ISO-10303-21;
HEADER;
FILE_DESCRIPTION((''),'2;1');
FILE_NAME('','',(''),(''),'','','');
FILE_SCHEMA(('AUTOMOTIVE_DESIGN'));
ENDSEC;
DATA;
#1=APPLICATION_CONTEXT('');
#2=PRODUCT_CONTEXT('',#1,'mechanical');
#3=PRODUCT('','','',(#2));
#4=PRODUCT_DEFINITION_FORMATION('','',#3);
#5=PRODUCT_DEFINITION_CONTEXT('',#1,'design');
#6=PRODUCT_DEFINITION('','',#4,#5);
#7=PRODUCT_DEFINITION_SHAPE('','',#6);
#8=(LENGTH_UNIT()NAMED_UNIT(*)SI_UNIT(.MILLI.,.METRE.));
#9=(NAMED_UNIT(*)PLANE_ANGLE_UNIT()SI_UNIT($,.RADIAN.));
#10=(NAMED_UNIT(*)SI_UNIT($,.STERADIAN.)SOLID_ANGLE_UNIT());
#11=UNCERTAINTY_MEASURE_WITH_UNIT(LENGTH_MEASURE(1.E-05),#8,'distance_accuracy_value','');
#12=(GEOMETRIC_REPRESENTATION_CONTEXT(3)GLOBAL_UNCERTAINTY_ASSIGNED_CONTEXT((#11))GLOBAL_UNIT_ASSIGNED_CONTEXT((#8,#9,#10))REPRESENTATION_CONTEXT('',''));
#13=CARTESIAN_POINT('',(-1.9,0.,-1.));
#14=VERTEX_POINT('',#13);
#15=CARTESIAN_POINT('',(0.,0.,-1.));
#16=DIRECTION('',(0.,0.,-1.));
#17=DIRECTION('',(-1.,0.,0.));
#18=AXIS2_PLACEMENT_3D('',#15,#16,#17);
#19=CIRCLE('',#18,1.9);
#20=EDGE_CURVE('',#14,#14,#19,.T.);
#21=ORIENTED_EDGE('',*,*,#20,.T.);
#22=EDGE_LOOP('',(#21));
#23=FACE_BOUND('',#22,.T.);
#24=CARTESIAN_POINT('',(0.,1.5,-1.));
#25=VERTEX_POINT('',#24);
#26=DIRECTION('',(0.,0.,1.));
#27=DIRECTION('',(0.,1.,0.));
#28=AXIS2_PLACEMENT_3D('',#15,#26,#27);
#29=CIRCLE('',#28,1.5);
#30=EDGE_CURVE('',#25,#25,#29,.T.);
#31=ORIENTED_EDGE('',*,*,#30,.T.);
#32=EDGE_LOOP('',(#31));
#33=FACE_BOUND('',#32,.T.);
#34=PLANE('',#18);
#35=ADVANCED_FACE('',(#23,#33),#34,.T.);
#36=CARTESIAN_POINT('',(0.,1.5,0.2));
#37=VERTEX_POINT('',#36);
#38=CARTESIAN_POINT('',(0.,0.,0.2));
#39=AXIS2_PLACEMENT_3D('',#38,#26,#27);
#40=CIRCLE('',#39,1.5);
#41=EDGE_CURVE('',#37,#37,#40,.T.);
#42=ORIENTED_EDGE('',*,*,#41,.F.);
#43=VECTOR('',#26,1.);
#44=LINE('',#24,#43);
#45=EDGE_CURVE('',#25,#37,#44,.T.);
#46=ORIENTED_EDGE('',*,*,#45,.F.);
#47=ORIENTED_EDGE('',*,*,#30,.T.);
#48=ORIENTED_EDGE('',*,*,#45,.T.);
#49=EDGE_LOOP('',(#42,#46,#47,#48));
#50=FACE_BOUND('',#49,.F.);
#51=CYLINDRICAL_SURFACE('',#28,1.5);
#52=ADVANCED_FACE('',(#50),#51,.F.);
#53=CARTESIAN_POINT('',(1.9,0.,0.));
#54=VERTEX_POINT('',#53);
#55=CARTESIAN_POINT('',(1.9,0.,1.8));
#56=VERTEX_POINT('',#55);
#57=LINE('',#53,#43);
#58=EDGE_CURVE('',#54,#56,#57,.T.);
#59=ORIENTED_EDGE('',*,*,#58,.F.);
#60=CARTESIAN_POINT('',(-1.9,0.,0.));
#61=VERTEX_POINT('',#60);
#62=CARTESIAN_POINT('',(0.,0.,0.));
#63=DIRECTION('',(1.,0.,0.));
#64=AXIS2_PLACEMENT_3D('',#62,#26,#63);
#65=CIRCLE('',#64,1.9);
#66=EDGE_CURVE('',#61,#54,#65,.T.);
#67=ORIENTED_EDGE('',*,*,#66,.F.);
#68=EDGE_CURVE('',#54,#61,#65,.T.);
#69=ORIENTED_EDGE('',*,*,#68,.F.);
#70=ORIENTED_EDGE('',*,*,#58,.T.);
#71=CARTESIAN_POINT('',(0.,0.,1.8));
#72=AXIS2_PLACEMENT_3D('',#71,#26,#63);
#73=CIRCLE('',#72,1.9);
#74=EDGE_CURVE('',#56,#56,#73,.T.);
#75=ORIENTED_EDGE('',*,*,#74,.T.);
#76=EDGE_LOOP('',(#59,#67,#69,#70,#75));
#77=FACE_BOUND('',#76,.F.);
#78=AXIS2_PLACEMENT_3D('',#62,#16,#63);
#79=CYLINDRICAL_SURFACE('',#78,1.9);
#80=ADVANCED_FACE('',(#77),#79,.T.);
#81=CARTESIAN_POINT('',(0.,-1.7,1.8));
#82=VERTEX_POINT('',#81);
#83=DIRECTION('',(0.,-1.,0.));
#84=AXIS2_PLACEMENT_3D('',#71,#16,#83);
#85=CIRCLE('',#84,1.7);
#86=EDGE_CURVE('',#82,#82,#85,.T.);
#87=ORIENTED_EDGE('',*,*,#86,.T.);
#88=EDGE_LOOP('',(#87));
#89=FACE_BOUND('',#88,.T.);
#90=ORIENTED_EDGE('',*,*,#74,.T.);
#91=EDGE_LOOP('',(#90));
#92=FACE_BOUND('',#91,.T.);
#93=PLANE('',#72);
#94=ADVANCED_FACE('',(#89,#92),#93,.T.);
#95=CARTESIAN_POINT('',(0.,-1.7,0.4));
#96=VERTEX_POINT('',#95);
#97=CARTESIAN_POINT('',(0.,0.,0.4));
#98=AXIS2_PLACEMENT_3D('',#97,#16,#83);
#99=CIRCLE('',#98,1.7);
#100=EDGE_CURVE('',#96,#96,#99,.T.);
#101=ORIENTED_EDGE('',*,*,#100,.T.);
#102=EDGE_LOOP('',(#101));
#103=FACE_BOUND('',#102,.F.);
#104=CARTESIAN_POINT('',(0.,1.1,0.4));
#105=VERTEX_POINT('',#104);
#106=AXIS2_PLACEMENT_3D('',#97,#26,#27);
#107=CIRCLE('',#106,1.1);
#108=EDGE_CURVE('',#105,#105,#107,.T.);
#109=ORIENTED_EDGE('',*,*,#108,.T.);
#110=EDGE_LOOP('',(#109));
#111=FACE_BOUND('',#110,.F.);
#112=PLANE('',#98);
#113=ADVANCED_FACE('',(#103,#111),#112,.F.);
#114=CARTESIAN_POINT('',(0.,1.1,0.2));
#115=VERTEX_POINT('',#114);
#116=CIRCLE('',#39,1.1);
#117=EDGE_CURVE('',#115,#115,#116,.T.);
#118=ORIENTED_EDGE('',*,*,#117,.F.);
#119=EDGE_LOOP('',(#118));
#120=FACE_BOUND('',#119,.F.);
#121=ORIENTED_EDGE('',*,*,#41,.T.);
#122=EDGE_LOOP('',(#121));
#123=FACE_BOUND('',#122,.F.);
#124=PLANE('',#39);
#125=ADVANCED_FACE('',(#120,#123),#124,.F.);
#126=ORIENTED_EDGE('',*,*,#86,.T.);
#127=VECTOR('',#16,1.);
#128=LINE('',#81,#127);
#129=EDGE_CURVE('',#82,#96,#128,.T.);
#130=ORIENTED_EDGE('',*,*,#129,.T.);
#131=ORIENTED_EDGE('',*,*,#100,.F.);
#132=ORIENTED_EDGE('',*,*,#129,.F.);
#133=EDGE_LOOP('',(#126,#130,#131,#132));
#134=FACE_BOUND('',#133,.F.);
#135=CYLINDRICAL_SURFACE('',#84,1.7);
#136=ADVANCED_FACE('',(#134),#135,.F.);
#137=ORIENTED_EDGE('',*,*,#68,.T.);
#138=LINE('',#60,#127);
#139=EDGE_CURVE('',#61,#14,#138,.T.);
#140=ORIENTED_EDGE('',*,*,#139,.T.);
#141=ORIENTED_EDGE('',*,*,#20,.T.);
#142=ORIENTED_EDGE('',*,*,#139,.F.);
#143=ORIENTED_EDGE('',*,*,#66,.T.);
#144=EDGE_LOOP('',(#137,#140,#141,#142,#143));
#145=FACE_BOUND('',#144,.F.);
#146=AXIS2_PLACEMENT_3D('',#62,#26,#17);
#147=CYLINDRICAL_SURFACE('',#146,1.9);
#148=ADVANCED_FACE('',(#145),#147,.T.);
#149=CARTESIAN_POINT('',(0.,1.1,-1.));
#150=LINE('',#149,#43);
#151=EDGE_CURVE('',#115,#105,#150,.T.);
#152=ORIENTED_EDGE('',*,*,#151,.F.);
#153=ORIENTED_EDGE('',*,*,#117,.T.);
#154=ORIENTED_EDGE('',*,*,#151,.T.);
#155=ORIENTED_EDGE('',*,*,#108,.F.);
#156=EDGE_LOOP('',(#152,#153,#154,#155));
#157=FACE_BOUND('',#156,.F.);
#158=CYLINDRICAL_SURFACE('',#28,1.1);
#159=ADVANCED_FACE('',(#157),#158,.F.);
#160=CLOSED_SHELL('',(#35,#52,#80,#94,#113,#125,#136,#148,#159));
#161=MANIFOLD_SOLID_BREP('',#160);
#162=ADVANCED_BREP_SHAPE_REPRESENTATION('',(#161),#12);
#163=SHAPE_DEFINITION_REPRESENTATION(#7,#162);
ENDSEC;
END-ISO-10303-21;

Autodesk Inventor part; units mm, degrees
ref_plane "YZ Plane" through (0, 0, 0) normal (1, 0, 0) x (0, 1, 0)
ref_plane "XZ Plane" through (0, 0, 0) normal (0, 1, 0) x (-1, 0, 0)
ref_plane "XY Plane" through (0, 0, 0) normal (0, 0, 1) x (1, 0, 0)
sketch "Sketch1" plane through (0, 0, 0) normal (0, 0, 1) x (1, 0, 0)
  circle A0 centre (0, 0) radius 1.9
  dimension "d0" = 3.8
extrude "Extrusion1" add sketch "Sketch1" along normal blind 1.8
hole "Hole1" at (0, 0, 1.8) direction (0, 0, -1) diameter 3.4 depth 1.4
sketch "Sketch2" plane through (0, 0, 0) normal (0, 0, -1) x (-1, 0, 0)
  circle A0 centre (0, 0) radius 1.9 projected
  circle A1 centre (0, 0) radius 1.9
  dimension "d12" = 3.8
extrude "Extrusion2" add sketch "Sketch2" along normal blind 1
hole "Hole2" at (0, 0, -1) direction (0, 0, 1) diameter 2.2 end through all
hole "Hole3" at (0, 0, -1) direction (0, 0, 1) diameter 3 depth 1.2
properties part number "MU_Bearing_Retainer" material "Aluminum-6061"
